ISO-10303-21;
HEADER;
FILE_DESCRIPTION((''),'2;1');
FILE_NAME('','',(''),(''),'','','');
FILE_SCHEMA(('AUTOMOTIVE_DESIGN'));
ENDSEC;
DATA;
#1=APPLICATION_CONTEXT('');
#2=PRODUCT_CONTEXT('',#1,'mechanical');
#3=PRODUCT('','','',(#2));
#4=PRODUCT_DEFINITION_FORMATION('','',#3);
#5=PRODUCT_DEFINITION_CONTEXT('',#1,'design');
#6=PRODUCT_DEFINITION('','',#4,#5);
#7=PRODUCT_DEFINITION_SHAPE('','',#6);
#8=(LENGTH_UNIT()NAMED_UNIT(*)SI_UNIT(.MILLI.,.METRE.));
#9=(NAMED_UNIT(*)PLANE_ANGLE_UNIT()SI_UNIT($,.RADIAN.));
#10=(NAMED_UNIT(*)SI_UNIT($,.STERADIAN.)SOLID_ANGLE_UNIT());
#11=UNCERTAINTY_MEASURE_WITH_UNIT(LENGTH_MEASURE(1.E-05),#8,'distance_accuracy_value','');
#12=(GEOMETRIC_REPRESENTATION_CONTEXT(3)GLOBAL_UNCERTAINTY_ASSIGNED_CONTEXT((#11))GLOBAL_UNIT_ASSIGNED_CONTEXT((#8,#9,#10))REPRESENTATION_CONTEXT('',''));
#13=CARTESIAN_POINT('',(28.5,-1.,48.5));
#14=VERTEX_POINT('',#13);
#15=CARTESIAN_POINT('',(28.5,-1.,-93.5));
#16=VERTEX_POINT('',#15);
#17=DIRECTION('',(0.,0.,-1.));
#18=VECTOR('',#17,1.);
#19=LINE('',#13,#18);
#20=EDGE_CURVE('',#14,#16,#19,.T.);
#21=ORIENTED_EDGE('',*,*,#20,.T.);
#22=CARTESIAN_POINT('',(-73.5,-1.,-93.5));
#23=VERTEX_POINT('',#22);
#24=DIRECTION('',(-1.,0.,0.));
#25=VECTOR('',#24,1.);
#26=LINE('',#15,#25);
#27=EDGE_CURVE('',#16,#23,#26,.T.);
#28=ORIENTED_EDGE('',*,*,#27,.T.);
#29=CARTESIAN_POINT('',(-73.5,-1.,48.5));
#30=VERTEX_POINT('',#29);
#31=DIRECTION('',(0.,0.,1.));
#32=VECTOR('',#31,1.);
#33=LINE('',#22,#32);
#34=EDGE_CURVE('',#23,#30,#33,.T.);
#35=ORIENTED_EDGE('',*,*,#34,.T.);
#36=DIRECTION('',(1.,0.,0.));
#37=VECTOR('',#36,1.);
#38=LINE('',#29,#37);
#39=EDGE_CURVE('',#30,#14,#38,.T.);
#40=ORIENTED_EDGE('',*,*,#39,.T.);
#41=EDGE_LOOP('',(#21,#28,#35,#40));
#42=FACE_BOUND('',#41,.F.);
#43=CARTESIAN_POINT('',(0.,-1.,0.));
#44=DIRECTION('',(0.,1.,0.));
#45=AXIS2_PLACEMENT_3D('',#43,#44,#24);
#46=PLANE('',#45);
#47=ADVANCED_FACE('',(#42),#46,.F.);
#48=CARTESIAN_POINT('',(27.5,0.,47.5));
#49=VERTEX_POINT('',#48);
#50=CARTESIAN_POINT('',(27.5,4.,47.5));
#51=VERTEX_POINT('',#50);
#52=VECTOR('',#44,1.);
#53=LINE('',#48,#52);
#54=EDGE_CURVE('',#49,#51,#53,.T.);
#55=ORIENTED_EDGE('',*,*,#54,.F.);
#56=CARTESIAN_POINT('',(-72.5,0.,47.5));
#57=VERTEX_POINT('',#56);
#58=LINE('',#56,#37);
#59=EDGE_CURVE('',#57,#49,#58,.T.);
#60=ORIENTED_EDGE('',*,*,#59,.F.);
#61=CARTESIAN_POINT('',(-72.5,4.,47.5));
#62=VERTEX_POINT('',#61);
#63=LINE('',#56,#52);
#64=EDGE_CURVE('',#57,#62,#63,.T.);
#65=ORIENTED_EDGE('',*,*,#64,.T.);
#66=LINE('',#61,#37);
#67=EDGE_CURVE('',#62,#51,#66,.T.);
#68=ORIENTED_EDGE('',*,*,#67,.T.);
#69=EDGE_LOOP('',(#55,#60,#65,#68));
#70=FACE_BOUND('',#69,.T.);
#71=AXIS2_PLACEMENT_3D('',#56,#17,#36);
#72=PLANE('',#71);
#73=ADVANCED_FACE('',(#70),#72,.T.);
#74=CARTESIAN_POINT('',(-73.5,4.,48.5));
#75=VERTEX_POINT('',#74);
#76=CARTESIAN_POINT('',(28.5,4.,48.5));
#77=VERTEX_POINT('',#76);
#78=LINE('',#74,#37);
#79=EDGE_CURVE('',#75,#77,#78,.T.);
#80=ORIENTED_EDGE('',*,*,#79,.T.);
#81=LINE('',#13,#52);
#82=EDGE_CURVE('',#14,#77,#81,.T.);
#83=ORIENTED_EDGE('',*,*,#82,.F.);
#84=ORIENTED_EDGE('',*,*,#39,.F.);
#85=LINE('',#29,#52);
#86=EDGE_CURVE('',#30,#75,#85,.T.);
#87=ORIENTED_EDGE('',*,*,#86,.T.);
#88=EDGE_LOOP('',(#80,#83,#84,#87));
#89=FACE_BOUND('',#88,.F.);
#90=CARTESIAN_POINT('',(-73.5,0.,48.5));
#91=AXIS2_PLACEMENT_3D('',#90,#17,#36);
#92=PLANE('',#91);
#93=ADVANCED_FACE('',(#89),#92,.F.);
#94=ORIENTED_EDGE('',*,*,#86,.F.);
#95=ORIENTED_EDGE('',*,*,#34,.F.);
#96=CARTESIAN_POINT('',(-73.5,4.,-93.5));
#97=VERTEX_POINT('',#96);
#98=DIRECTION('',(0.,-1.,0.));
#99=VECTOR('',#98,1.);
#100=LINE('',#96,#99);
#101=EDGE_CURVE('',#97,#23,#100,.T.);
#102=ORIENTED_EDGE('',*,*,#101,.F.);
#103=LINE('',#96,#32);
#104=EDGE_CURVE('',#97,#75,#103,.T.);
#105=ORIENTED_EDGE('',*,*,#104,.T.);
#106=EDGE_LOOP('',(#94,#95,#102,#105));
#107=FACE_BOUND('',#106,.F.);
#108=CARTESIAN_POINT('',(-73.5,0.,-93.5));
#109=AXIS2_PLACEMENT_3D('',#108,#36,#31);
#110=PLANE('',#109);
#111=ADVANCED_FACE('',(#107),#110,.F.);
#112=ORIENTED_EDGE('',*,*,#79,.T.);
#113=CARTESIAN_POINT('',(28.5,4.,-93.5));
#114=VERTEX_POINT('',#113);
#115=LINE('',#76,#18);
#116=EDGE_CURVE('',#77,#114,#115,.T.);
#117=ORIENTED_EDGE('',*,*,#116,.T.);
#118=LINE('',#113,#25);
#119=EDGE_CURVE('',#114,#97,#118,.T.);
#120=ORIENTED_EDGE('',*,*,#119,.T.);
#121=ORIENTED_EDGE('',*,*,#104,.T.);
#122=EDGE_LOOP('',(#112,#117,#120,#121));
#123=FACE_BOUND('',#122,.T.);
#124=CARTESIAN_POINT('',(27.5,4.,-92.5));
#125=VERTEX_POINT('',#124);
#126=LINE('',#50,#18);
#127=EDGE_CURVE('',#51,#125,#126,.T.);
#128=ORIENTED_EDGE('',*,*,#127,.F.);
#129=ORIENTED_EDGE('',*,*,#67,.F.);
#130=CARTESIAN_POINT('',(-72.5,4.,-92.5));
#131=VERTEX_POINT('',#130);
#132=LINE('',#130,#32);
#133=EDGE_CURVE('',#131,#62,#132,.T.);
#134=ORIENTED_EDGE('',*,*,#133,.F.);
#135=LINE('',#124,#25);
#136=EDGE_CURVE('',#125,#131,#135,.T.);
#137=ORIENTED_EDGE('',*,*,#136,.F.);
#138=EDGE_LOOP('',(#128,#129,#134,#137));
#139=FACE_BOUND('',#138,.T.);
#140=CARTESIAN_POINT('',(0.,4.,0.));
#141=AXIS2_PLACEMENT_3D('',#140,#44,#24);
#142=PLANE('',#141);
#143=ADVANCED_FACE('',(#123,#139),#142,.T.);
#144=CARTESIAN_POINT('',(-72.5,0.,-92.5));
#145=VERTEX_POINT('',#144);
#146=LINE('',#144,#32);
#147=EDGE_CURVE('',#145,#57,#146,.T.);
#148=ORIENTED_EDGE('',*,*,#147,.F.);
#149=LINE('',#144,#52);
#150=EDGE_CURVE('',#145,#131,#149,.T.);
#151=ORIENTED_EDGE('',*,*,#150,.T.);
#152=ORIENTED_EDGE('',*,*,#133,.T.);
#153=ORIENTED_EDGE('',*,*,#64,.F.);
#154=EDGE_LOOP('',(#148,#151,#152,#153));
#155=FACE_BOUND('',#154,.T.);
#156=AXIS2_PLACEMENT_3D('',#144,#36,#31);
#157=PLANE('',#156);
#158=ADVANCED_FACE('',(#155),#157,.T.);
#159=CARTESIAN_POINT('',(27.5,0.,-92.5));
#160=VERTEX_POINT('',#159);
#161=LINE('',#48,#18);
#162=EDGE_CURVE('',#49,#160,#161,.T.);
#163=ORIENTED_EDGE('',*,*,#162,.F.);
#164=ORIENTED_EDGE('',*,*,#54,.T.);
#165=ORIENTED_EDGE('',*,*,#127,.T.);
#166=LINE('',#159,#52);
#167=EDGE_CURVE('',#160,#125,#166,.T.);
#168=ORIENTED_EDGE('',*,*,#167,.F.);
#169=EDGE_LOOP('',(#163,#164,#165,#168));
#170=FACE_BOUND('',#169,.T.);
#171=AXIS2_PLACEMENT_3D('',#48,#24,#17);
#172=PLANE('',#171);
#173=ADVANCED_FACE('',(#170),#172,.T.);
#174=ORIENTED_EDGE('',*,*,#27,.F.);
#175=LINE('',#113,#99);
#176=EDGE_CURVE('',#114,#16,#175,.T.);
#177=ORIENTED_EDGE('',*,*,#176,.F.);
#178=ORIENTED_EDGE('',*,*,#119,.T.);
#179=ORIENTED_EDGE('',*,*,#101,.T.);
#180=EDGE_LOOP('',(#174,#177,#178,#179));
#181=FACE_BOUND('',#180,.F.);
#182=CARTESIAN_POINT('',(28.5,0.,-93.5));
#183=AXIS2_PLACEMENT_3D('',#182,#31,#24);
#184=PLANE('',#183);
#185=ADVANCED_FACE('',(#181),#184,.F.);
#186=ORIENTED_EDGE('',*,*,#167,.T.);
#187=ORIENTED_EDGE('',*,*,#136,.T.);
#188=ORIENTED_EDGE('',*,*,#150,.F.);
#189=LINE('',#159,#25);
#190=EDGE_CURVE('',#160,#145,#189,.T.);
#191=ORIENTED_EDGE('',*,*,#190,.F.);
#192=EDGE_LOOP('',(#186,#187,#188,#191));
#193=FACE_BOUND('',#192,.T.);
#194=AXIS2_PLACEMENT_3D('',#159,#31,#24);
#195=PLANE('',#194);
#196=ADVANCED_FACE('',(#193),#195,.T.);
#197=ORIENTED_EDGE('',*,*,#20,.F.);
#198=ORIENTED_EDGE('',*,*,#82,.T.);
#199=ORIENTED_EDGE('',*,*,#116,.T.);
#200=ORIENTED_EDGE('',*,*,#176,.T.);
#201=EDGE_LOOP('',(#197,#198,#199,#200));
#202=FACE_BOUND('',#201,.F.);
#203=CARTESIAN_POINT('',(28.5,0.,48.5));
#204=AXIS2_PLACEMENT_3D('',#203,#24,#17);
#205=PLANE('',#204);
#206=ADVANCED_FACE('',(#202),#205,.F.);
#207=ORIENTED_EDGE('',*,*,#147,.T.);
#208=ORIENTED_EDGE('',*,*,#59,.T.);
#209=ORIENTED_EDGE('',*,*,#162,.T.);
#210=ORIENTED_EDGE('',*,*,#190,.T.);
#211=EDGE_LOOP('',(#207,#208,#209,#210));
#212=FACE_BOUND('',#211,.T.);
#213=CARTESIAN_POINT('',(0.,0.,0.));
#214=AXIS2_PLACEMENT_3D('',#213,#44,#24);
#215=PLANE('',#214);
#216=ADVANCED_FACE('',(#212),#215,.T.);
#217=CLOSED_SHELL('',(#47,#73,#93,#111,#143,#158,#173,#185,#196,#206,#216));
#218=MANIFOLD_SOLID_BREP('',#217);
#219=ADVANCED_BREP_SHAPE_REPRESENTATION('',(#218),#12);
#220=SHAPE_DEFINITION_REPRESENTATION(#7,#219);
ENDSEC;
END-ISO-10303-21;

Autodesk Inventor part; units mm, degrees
ref_plane "YZ Plane" through (0, 0, 0) normal (1, 0, 0) x (0, 1, 0)
ref_plane "XZ Plane" through (0, 0, 0) normal (0, 1, 0) x (-1, 0, 0)
ref_plane "XY Plane" through (0, 0, 0) normal (0, 0, 1) x (1, 0, 0)
sketch "Sketch1" plane through (0, 0, 0) normal (0, 1, 0) x (-1, 0, 0)
  circle A0 centre (0, 0) radius 19.4
  line L0 (0, 0) -> (0, -10.9961) construction
  circle A1 centre (0, -45) radius 19.4
  circle A2 centre (45, 22.5) radius 19.4
  circle A3 centre (45, -22.5) radius 19.4
  circle A4 centre (45, -67.5) radius 19.4
  line L1 (-27.5, -92.5) -> (72.5, -92.5)
  line L2 (72.5, -92.5) -> (72.5, 47.5)
  line L3 (72.5, 47.5) -> (-27.5, 47.5)
  line L4 (-27.5, 47.5) -> (-27.5, -92.5)
  line L5 (-27.5, -92.5) -> (72.5, 47.5) construction
  line L6 (72.5, -92.5) -> (-27.5, 47.5) construction
  line L7 (73.5, 48.5) -> (-28.5, 48.5)
  line L8 (-28.5, 48.5) -> (-28.5, -93.5)
  line L9 (-28.5, -93.5) -> (73.5, -93.5)
  line L10 (73.5, -93.5) -> (73.5, 48.5)
  point P0 (22.5, -22.5)
  dimension "d0" = 38.8
  dimension "d3" = 45
  dimension "d8" = 38.8
  dimension "d9" = 45
  dimension "d10" = 22.5
  dimension "d13" = 45
  dimension "d18" = 22.5
  dimension "d19" = 50
  dimension "d20" = 70
  dimension "d21" = 22.5
  dimension "d37" = 1
  dimension "d38" = 1
  dimension "d39" = 1
  dimension "d40" = 1
extrude "Extrusion4" add sketch "Sketch1" against normal blind 1 contours A0 | A1 | A2 | A3 | A4 | L4 L3 L2 L1 | L10 L9 L8 L7
extrude "Extrusion5" add sketch "Sketch1" along normal blind 4 contours L10 L9 L8 L7
equation "\"d0\" = bottleDiameter"
equation "\"d3\" = bottleDistance"
equation "\"d8\" = bottleDiameter"
equation "\"d9\" = bottleDistance"
equation "\"d10\" = 0.5 * bottleDistance"
equation "\"d13\" = bottleDistance"
equation "\"d18\" = 0.5 * bottleDistance"
equation "\"d21\" = 0.5 * bottleDistance"
equation "\"d37\" = tpuTick"
equation "\"d38\" = tpuTick"
equation "\"d39\" = tpuTick"
equation "\"d40\" = tpuTick"
equation "\"d41\" = tpuTick"
equation "\"capDiameter\" = 29.5"
equation "\"bottleLen\" = 81.3"
equation "\"bottleDiameter\" = 38.8"
equation "\"tubeInsideDiameter\" = 2"
equation "\"tubeOutsideDiameter\" = 5.4"
equation "\"tick\" = 2"
equation "\"connectorDiameter\" = 35"
equation "\"connectorInsideDiameter\" = tubeInsideDiameter - tick"
equation "\"connectorTubeDepth\" = 18.5"
equation "\"tubeFlapDepth\" = 3"
equation "\"tubeFlapAngle\" = 15deg"
equation "\"minTick\" = 0.25"
equation "\"tubeLinkTick\" = 2"
equation "\"tubeTolerance\" = 0.3"
equation "\"tickHolder\" = 1"
equation "\"bottleDistance\" = 45"
equation "\"tpuTick\" = 1"
properties part number "trayCover"
